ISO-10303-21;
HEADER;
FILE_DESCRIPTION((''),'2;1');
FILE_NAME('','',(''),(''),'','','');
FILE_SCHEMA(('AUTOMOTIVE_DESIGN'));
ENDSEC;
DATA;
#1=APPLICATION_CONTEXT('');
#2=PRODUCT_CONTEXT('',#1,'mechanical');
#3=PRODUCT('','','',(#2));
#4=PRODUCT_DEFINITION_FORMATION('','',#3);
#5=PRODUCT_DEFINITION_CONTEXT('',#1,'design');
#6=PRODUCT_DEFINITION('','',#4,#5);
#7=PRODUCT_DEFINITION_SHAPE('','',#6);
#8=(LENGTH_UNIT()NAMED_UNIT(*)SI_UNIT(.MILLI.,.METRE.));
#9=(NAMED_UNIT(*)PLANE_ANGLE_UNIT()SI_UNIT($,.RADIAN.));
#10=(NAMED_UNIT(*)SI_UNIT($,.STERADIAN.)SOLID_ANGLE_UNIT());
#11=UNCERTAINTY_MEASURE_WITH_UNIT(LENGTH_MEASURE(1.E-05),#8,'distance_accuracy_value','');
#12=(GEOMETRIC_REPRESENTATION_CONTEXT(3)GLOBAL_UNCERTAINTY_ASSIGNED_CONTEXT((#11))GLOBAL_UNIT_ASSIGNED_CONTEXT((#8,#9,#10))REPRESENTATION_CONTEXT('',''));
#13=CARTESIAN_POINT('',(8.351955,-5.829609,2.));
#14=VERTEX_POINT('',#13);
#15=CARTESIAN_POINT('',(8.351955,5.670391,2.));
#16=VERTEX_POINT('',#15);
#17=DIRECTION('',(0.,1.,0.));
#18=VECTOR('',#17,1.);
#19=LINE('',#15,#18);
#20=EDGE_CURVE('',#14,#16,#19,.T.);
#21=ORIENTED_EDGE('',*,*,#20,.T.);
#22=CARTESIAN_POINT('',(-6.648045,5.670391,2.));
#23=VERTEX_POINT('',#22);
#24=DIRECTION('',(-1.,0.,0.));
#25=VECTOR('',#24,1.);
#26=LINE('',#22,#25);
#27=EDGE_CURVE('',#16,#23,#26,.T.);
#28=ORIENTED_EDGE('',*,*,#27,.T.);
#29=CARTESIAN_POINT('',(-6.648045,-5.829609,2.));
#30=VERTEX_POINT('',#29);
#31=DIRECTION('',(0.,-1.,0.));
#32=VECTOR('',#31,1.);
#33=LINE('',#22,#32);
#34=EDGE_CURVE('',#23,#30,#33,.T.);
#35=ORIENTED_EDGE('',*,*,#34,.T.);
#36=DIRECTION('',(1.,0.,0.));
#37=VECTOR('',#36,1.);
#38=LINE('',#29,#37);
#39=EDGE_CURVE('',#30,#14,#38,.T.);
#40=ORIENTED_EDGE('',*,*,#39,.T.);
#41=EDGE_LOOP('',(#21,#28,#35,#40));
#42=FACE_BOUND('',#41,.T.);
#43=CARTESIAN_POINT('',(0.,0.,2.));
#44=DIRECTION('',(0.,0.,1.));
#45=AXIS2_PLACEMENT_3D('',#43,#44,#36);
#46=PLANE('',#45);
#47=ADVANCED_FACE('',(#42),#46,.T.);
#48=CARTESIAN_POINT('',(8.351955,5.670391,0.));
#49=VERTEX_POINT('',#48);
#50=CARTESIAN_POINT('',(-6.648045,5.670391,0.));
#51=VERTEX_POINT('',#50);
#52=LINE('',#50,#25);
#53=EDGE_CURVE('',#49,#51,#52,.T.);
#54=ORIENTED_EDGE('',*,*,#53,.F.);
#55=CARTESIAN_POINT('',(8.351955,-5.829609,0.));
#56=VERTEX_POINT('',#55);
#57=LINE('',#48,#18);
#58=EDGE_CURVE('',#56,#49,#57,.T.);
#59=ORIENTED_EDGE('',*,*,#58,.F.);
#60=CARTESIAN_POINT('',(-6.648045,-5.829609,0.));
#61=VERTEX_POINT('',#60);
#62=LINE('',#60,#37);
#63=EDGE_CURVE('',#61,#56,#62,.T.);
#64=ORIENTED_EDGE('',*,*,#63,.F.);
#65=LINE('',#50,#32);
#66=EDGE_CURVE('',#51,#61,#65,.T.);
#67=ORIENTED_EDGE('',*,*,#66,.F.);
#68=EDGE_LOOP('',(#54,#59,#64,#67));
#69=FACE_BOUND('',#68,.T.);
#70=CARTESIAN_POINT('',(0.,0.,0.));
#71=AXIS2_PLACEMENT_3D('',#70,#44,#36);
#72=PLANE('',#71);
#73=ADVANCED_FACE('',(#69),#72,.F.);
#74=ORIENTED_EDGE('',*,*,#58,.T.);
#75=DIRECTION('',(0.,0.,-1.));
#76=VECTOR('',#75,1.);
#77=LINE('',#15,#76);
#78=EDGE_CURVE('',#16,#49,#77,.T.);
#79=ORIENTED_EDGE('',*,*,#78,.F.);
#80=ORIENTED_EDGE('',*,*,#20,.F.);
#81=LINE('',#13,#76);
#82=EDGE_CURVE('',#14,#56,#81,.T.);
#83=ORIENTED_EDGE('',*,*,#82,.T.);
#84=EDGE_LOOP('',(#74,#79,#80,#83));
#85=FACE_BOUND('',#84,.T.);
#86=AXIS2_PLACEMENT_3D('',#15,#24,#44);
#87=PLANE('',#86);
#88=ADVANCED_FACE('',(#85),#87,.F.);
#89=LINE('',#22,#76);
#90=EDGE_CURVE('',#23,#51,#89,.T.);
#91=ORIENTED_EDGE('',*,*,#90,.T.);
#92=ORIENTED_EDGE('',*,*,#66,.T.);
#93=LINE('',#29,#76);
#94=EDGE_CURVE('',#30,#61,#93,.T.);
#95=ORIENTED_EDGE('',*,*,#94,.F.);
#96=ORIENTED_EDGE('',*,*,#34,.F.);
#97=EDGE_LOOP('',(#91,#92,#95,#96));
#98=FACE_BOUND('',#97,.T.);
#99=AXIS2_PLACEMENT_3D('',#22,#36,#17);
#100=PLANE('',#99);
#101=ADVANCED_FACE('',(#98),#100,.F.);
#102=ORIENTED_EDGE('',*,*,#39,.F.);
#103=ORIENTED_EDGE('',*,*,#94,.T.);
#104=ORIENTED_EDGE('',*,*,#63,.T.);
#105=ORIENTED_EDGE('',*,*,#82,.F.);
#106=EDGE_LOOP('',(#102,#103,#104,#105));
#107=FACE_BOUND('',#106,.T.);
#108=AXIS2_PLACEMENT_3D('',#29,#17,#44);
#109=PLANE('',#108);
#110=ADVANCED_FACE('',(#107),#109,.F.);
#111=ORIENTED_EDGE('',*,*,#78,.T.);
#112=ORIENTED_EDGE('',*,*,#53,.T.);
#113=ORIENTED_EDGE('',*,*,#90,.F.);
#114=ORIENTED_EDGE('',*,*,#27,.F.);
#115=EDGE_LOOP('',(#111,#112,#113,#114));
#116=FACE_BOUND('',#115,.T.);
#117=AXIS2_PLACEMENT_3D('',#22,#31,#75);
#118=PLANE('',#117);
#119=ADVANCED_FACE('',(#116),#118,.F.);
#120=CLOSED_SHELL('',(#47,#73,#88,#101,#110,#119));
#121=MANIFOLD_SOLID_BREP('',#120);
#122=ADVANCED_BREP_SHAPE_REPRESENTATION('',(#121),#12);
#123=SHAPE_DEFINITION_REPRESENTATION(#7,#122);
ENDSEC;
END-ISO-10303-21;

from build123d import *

# Parameters (mm, degrees)
ESBO_O1_W                = 15
ESBO_O1_H                = 11.5
RESSALTO_EXTRUS_O1_DEPTH = 2


with BuildPart() as part:
    # Esboço1 → Ressalto-extrusão1 (new body)
    with BuildSketch(Plane.XY):
        with Locations((0.851955307, -0.079608939)):
            Rectangle(ESBO_O1_W, ESBO_O1_H)
    extrude(amount=RESSALTO_EXTRUS_O1_DEPTH)


solid = part.part
